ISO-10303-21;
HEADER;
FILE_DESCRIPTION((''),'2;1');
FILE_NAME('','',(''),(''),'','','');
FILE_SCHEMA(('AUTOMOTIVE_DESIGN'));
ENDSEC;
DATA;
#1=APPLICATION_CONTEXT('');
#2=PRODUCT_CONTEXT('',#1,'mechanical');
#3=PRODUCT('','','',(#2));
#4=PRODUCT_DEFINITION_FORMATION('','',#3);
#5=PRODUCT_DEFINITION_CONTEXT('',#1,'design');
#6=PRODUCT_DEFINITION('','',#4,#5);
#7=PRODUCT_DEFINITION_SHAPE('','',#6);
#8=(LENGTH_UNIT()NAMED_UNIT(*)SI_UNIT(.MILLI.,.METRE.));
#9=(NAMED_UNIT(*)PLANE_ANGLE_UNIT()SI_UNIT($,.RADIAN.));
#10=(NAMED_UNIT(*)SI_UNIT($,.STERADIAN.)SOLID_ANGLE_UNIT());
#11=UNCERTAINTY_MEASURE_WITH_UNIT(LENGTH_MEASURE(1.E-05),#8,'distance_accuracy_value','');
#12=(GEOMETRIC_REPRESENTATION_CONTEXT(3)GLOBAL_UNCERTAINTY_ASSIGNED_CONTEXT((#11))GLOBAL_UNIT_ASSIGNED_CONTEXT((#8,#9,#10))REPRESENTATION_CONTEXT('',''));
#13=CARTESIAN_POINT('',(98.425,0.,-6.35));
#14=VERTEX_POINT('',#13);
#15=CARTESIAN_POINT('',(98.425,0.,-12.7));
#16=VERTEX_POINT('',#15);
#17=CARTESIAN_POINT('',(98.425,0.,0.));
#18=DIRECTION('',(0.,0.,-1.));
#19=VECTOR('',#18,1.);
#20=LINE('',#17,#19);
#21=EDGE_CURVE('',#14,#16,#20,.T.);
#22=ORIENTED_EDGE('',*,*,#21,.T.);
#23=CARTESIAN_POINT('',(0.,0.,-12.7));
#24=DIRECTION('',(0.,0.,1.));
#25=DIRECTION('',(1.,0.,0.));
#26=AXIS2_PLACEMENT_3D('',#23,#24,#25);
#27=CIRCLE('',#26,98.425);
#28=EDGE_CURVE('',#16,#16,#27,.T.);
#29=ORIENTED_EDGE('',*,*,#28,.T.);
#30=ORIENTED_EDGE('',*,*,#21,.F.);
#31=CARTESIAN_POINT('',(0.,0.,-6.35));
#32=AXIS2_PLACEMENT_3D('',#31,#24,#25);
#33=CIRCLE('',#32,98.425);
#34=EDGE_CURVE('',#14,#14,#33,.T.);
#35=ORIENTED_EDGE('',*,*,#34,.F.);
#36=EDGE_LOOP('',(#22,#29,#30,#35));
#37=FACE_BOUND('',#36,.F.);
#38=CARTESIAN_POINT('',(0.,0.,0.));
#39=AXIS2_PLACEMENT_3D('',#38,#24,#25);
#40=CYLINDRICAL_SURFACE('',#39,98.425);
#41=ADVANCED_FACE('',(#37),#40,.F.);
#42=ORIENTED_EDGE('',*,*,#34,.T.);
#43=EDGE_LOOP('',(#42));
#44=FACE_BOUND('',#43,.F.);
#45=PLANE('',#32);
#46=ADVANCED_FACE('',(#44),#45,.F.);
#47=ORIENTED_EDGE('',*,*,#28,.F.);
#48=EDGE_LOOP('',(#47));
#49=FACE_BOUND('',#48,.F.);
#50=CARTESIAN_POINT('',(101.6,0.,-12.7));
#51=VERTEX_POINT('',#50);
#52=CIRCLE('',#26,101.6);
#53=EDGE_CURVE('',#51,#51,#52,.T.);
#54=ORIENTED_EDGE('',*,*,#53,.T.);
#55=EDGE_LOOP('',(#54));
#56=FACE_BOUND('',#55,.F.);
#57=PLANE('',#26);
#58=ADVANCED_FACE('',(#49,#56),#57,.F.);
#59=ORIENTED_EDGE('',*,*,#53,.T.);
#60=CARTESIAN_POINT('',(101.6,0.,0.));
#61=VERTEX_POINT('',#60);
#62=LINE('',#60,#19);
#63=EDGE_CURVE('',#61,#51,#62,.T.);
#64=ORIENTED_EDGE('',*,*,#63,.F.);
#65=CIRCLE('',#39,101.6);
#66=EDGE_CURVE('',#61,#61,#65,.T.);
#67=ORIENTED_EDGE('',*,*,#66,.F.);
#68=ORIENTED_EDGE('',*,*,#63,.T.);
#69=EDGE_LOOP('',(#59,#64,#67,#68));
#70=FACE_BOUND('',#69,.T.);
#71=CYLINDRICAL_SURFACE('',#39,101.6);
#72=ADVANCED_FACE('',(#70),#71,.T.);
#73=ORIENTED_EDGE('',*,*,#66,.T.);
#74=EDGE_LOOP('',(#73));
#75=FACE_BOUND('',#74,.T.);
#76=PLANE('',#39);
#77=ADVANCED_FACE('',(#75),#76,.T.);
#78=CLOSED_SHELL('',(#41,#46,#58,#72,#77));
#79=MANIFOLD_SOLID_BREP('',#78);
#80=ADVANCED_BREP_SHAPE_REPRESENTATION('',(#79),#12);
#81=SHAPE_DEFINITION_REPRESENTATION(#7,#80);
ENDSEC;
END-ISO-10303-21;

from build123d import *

# Parameters (mm, degrees)
F0_R     = 101.6
F0_R_2   = 98.425
F1_DEPTH = 12.7
F2_R     = 98.425
F3_DEPTH = 6.35


with BuildPart() as f1:
    # F0 (on Top) → F1 (new body)
    with BuildSketch(Plane.XY):
        Circle(F0_R)
        Circle(F0_R_2, mode=Mode.SUBTRACT)
    extrude(amount=-F1_DEPTH)

    # F2 (on Top) → F3 (join)
    with BuildSketch(Plane.XY):
        Circle(F2_R)
    extrude(amount=-F3_DEPTH)


solid = f1.part
